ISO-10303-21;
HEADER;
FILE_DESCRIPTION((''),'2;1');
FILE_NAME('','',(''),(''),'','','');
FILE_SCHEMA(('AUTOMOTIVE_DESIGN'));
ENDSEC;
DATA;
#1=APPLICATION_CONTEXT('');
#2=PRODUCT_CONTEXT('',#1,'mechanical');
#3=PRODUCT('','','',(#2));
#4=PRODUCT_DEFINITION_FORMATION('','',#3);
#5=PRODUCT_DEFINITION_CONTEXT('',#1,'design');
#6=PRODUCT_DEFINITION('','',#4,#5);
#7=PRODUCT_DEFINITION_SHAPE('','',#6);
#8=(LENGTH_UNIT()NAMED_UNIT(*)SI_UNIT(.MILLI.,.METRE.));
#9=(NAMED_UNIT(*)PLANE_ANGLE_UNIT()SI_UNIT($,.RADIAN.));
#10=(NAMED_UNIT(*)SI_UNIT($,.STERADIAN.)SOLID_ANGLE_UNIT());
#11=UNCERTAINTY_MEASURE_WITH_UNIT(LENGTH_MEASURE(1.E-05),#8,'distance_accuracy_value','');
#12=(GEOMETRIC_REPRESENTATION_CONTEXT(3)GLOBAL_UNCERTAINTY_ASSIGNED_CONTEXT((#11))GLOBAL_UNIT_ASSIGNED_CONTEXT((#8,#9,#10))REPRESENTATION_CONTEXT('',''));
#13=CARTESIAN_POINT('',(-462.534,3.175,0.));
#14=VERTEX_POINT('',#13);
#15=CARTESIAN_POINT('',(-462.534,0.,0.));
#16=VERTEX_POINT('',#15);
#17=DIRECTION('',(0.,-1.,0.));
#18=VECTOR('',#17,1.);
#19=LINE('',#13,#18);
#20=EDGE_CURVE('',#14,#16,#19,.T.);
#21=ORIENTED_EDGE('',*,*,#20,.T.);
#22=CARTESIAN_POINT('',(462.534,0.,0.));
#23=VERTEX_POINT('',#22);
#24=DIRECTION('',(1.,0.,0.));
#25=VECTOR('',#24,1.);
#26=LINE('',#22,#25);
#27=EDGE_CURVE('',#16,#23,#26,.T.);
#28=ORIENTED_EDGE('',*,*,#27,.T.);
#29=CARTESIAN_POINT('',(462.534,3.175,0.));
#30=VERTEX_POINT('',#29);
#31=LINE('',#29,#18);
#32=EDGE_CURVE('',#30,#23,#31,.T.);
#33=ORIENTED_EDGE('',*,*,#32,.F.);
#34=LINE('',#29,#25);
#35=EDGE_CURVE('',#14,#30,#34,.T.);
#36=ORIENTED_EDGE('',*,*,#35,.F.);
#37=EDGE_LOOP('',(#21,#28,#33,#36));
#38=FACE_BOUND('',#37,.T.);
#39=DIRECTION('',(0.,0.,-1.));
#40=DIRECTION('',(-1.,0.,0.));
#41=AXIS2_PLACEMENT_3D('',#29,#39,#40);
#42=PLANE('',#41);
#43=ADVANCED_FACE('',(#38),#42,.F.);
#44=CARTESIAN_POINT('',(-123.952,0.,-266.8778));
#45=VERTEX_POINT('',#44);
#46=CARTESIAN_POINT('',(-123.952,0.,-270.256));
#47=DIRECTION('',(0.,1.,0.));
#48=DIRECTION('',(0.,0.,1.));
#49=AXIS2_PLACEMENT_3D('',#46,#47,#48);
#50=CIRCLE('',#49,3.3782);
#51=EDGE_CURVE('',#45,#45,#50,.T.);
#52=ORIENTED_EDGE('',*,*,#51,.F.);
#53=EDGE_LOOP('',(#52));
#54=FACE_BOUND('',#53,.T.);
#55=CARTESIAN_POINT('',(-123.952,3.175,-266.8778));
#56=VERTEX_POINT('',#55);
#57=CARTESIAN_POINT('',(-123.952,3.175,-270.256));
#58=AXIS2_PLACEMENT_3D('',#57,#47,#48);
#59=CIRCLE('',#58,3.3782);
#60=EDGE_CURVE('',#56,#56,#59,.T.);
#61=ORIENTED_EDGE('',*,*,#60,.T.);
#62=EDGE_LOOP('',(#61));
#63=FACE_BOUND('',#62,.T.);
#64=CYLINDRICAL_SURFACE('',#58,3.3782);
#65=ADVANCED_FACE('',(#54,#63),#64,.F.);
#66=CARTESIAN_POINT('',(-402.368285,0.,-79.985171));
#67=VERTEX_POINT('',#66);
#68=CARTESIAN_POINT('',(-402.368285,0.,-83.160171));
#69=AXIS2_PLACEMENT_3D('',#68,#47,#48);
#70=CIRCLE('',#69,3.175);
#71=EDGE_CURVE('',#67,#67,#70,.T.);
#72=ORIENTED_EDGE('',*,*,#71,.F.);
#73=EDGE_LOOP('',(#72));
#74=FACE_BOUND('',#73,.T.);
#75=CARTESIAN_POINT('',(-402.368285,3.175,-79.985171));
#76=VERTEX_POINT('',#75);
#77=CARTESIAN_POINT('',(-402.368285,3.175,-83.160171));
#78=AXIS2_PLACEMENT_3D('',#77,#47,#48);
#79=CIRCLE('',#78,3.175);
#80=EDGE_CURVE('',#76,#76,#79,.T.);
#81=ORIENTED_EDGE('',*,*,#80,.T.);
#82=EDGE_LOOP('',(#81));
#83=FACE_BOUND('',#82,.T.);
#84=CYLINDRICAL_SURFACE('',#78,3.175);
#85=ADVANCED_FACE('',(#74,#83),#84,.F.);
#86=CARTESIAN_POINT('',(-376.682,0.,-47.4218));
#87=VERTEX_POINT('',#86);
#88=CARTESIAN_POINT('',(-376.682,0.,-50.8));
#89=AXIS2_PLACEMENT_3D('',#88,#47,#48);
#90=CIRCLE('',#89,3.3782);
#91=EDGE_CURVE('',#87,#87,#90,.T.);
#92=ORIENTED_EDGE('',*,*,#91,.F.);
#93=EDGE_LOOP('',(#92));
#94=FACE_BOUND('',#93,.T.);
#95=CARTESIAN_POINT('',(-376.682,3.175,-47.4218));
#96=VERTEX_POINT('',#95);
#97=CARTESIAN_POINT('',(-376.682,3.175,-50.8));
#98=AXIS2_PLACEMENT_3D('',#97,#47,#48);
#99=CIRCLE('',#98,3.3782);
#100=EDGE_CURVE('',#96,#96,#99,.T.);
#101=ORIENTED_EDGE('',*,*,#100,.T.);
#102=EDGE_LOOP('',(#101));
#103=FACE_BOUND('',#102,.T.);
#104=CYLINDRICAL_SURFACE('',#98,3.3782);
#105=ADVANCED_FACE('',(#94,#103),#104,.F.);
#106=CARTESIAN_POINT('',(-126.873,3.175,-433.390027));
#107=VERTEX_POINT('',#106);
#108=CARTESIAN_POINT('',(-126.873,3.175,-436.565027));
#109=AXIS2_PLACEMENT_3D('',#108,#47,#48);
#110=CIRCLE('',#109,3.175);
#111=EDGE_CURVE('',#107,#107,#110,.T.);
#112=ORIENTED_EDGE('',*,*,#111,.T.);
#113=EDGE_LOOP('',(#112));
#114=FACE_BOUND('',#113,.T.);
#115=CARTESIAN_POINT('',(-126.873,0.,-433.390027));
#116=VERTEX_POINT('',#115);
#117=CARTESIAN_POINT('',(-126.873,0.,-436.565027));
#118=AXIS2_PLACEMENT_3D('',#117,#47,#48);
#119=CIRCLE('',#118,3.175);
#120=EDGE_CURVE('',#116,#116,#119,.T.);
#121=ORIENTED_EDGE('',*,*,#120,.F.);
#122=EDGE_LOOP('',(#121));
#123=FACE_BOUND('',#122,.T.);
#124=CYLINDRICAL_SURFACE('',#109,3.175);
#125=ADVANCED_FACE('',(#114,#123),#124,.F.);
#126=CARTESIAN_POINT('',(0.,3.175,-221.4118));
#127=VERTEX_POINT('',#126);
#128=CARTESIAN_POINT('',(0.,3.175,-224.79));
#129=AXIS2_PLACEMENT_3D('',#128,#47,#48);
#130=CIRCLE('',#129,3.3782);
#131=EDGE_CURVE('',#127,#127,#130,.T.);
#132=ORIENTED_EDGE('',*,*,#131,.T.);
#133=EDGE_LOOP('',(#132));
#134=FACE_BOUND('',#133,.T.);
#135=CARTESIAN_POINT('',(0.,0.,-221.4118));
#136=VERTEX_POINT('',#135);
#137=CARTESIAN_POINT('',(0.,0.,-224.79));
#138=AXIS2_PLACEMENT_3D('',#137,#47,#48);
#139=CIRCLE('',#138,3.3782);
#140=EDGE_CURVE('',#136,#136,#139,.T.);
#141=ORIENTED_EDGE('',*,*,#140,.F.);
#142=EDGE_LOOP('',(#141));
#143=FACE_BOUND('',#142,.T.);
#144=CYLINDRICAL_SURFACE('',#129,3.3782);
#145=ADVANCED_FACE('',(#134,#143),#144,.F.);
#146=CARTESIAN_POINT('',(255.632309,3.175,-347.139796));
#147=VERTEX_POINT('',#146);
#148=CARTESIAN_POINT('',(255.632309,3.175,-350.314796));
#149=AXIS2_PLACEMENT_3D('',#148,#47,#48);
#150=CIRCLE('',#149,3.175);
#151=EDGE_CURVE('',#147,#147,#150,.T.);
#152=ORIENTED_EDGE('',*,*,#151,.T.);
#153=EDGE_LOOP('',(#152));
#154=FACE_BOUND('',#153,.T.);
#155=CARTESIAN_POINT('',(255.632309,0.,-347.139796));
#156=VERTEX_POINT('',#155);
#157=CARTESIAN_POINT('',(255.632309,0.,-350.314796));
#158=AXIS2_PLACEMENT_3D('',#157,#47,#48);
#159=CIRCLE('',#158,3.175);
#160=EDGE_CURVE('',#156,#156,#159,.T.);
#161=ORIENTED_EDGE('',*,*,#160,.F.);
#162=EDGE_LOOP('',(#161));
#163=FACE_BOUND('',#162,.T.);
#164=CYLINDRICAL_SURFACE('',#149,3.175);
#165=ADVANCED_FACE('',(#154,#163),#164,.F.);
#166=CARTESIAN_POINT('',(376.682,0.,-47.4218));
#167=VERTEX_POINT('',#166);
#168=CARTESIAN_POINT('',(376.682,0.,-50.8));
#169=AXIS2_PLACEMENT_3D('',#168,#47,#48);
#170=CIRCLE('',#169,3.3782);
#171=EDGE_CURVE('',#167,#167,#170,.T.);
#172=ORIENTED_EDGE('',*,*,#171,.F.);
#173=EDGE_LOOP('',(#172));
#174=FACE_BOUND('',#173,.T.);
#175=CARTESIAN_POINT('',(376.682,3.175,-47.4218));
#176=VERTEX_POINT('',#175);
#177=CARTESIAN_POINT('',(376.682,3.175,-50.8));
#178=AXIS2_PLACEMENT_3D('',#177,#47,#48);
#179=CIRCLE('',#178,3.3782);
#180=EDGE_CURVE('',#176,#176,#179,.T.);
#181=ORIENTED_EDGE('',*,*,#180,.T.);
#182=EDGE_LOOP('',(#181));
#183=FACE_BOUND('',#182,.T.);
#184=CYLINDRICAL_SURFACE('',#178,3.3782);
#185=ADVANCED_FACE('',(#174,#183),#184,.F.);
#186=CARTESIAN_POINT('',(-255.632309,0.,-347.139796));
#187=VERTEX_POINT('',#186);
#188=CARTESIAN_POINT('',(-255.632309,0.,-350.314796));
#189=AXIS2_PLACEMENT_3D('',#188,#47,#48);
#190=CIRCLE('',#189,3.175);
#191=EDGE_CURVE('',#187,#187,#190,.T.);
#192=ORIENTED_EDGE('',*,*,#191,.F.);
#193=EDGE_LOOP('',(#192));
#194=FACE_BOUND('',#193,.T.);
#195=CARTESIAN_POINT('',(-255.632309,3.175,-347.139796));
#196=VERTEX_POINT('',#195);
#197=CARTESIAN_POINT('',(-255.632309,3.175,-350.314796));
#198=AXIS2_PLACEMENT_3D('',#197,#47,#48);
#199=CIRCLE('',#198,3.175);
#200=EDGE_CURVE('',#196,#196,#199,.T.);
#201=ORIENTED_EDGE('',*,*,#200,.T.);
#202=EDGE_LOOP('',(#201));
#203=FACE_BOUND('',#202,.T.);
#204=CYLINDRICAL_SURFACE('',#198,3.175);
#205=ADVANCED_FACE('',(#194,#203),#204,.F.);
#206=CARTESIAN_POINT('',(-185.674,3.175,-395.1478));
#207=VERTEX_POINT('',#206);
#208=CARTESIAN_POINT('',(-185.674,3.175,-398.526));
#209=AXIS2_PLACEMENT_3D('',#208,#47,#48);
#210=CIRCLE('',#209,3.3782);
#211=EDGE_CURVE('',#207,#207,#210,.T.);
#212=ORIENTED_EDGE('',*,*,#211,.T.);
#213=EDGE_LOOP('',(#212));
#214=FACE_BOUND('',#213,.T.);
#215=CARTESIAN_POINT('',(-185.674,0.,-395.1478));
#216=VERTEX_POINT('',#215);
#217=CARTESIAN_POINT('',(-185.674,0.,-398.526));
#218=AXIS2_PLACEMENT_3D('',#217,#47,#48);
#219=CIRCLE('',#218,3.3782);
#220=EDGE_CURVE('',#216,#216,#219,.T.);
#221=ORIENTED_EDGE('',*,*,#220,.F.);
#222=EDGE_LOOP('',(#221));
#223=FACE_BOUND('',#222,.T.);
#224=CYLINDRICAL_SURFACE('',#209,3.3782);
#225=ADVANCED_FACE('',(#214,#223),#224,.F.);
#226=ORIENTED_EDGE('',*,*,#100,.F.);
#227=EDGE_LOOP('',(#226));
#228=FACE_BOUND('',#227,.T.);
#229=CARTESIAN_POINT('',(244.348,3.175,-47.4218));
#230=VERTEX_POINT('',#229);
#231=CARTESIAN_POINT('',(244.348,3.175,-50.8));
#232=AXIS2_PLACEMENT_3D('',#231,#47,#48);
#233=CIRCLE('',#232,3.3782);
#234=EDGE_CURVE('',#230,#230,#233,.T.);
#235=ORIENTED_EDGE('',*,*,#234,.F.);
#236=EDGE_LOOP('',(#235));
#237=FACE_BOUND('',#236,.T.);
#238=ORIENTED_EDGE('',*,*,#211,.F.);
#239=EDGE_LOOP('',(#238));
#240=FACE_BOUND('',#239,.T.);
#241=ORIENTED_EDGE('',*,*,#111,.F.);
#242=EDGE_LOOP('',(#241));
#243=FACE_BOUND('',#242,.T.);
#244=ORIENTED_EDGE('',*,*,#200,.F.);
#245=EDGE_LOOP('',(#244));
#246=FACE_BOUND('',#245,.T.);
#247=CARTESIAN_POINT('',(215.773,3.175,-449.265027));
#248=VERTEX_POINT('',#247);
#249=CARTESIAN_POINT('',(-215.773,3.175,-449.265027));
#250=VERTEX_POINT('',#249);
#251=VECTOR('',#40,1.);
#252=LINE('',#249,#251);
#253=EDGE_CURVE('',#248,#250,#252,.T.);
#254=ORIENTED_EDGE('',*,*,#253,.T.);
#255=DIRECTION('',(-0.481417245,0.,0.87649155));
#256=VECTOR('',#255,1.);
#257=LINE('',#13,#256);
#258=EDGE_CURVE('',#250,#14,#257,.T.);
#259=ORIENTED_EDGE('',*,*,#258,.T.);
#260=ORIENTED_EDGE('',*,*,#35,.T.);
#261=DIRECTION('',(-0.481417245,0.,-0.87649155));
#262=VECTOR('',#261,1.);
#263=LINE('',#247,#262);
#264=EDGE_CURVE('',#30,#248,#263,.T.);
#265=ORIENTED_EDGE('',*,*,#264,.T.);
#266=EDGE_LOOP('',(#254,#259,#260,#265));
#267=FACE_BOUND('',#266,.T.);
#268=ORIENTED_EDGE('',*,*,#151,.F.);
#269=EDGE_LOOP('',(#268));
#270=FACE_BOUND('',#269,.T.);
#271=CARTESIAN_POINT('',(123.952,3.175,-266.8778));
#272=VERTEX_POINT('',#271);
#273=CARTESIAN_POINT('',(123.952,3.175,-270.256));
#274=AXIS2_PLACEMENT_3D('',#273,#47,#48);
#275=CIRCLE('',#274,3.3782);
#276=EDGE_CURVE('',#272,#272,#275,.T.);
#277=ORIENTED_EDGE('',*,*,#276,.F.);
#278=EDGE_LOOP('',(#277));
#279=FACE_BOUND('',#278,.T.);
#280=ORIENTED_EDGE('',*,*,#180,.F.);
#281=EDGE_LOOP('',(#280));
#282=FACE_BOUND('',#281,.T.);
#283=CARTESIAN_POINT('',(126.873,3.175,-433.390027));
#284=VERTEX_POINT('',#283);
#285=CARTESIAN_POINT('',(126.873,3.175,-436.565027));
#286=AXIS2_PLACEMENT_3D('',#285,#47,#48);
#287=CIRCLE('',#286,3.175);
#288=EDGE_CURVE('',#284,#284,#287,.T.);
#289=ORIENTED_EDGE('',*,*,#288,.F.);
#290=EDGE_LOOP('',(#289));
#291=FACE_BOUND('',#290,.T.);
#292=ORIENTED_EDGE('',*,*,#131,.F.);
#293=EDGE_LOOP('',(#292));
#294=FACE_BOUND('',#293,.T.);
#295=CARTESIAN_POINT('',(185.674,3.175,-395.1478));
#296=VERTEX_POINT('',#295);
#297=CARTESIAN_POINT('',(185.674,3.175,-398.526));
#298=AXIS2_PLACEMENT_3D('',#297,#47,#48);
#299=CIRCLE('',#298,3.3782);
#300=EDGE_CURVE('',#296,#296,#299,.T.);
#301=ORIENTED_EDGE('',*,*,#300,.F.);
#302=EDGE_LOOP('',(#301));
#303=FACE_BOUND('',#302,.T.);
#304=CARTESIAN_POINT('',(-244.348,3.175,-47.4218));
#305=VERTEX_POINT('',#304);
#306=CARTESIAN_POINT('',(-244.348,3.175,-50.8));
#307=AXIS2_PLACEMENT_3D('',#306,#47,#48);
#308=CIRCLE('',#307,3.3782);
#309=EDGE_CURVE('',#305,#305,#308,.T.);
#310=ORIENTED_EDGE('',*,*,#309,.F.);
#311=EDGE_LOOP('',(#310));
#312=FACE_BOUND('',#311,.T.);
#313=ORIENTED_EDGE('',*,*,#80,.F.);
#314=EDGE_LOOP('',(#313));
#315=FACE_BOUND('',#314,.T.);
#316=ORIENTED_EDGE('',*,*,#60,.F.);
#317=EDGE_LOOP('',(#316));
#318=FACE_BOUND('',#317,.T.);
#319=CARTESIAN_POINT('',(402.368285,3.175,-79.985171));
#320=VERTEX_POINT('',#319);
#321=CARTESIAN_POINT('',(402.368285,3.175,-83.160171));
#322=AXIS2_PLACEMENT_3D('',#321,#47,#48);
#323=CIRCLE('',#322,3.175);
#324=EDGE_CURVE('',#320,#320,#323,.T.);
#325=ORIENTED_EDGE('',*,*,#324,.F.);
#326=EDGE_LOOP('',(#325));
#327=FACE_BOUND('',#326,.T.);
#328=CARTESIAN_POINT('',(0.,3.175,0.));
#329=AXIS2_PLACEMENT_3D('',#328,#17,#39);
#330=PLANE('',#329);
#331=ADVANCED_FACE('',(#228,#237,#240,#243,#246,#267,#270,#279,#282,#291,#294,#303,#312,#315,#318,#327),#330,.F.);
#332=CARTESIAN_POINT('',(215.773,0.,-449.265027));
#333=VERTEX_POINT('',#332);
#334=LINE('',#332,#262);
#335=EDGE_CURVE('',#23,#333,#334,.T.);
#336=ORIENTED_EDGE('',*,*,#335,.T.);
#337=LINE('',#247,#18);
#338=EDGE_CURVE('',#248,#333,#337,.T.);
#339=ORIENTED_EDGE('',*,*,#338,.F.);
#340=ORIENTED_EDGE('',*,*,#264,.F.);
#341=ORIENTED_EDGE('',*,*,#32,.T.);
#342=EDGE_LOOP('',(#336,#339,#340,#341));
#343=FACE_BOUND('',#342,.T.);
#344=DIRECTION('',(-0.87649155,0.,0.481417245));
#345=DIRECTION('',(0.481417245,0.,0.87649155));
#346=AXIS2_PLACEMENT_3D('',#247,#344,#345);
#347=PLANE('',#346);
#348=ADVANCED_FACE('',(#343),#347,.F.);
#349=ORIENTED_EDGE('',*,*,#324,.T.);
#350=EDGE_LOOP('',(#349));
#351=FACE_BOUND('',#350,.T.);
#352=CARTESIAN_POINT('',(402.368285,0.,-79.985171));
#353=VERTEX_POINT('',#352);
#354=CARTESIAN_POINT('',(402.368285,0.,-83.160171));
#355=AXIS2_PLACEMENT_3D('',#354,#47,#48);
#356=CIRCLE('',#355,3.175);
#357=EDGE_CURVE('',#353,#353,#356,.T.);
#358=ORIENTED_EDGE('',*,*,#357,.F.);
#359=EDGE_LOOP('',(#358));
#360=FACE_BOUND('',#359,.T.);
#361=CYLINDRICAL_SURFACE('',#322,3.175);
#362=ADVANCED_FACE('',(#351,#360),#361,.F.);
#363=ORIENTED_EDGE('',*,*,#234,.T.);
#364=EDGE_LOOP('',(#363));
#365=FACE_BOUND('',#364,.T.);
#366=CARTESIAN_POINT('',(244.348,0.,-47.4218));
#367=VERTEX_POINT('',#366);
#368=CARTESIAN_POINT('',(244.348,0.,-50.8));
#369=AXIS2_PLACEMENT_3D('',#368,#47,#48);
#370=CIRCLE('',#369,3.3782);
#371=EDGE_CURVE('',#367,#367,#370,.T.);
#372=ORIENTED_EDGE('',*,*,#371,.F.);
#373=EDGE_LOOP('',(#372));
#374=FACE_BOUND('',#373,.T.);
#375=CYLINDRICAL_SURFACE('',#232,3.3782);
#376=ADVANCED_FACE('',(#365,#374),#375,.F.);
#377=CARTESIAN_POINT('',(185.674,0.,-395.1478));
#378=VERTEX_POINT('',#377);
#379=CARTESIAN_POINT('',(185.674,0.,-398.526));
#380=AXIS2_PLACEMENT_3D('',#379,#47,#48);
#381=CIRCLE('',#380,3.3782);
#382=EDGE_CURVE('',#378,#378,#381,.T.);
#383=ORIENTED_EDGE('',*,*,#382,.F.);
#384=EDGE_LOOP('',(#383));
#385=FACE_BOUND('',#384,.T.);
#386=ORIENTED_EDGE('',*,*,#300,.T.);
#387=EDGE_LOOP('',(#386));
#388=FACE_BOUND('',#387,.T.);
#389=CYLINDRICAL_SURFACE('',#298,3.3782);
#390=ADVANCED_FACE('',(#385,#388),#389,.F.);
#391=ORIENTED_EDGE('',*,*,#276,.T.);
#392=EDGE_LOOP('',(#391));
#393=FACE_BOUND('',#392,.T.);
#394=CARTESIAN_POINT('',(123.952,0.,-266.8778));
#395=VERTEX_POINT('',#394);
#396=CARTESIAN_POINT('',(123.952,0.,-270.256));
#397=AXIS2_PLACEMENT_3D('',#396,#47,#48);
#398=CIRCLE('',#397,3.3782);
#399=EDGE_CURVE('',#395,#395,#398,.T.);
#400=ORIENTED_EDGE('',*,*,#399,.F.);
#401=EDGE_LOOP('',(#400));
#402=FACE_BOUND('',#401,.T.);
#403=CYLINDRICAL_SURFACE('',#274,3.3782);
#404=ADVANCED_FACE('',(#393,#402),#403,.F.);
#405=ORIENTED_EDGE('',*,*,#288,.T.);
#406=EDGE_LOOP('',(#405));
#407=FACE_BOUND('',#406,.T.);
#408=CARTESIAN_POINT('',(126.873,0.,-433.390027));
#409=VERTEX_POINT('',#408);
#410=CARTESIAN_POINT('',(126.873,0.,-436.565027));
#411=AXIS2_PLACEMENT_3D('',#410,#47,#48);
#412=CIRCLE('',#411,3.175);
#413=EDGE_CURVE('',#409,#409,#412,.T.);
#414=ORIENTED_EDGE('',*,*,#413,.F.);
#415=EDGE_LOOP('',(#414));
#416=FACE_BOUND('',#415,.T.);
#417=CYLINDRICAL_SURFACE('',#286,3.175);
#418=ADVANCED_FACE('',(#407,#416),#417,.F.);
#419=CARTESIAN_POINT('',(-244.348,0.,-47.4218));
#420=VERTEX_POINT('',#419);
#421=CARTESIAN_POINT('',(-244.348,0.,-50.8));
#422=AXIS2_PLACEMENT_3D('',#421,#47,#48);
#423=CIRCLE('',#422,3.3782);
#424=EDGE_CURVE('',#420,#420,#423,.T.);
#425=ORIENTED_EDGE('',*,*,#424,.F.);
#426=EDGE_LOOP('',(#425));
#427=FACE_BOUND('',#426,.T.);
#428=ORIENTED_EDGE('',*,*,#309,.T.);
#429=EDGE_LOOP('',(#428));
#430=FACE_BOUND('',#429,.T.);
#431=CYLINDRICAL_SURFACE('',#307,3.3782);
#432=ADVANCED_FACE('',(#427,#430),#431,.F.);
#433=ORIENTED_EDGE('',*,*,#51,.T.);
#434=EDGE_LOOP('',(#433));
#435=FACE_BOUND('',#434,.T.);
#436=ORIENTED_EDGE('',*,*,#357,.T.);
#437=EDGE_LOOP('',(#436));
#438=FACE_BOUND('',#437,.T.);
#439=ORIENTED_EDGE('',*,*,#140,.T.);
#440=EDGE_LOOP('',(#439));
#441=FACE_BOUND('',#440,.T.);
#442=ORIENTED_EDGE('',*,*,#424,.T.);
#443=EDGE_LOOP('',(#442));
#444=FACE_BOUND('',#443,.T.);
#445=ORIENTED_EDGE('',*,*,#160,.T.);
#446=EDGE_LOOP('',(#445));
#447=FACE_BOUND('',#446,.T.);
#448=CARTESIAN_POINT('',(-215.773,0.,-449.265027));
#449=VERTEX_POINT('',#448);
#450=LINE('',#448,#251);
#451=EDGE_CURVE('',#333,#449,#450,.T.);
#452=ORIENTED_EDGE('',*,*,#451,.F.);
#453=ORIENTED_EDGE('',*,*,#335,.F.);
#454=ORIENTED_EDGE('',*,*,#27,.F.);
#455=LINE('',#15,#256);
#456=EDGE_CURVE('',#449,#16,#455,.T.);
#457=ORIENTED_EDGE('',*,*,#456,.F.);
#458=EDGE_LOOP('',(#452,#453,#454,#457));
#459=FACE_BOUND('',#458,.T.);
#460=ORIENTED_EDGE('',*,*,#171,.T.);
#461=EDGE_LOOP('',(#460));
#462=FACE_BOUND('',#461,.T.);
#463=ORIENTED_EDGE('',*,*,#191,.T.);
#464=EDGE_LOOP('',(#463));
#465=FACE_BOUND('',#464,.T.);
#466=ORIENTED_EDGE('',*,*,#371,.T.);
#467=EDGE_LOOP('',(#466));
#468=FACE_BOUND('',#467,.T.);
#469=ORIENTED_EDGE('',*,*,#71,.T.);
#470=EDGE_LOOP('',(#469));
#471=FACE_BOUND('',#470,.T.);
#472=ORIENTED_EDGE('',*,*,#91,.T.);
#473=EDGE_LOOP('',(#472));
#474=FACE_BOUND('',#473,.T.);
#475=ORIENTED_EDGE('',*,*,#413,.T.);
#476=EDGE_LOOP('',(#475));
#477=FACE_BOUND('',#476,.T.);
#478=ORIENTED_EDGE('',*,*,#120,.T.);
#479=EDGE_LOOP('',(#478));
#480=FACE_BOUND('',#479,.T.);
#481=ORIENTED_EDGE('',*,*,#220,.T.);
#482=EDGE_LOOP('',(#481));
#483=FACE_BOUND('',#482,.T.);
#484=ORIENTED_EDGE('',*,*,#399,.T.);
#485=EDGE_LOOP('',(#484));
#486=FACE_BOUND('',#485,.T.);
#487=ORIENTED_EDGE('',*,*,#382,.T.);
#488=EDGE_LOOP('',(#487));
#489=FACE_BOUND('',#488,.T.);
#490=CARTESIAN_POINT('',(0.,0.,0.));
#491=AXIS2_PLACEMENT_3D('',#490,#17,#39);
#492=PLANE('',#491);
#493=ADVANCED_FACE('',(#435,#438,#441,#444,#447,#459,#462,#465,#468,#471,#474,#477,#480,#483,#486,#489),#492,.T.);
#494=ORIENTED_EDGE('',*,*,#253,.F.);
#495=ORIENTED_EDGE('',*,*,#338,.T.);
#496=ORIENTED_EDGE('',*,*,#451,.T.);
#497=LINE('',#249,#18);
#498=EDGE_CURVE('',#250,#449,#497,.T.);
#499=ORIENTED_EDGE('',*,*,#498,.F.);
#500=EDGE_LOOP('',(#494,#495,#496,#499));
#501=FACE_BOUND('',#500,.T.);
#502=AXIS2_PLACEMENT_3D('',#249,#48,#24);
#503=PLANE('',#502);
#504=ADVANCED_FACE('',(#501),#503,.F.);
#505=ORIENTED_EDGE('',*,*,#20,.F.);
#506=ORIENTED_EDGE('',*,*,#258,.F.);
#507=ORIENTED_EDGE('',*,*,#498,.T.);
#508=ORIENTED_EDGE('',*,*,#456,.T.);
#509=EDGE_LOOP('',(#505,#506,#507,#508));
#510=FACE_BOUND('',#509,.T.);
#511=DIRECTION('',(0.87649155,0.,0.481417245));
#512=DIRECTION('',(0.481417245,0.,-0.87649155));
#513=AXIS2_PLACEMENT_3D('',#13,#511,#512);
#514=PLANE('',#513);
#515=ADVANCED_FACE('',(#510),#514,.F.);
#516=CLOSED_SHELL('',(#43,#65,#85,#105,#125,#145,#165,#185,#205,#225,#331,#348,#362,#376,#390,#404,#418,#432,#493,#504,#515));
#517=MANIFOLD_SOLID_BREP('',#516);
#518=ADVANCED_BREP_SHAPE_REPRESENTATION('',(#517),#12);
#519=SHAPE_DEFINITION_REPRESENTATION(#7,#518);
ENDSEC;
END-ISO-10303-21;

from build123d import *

# Parameters (mm, degrees)
BOSS_EXTRUDE1_DEPTH         = 3.175
F_1_4_0_25_DIAMETER_HOLE1_D = 6.35
F_1_4_CLEARANCE_HOLE1_D     = 6.7564


with BuildPart() as part:
    # Sketch1 → Boss-Extrude1 (new body)
    with BuildSketch(Plane(origin=(0, 0, 0), x_dir=(1, 0, 0), z_dir=(0, 1, 0))):
        Polygon((-462.534, 0), (-215.773, 449.26502653), (215.773, 449.26502653), (462.534, 0), align=None)
    extrude(amount=BOSS_EXTRUDE1_DEPTH)

    # 1/4 (0.25) Diameter Hole1 (through all)
    with Locations(Plane(origin=(0, 3.175, 0), x_dir=(1, 0, 0), z_dir=(0, 1, 0))):
        with Locations((-402.368285269, 83.160171278), (-255.632309055, 350.314795577), (-126.873, 436.56502653), (402.368285269, 83.160171278), (255.632309055, 350.314795577), (126.873, 436.56502653)):
            Hole(F_1_4_0_25_DIAMETER_HOLE1_D / 2)

    # 1/4 Clearance Hole1 (through all)
    with Locations(Plane(origin=(0, 3.175, 0), x_dir=(1, 0, 0), z_dir=(0, 1, 0))):
        with Locations((-376.682, 50.8), (-244.348, 50.8), (-123.952, 270.256), (-185.674, 398.526), (0, 224.79), (376.682, 50.8), (244.348, 50.8), (185.674, 398.526), (123.952, 270.256)):
            Hole(F_1_4_CLEARANCE_HOLE1_D / 2)


solid = part.part
